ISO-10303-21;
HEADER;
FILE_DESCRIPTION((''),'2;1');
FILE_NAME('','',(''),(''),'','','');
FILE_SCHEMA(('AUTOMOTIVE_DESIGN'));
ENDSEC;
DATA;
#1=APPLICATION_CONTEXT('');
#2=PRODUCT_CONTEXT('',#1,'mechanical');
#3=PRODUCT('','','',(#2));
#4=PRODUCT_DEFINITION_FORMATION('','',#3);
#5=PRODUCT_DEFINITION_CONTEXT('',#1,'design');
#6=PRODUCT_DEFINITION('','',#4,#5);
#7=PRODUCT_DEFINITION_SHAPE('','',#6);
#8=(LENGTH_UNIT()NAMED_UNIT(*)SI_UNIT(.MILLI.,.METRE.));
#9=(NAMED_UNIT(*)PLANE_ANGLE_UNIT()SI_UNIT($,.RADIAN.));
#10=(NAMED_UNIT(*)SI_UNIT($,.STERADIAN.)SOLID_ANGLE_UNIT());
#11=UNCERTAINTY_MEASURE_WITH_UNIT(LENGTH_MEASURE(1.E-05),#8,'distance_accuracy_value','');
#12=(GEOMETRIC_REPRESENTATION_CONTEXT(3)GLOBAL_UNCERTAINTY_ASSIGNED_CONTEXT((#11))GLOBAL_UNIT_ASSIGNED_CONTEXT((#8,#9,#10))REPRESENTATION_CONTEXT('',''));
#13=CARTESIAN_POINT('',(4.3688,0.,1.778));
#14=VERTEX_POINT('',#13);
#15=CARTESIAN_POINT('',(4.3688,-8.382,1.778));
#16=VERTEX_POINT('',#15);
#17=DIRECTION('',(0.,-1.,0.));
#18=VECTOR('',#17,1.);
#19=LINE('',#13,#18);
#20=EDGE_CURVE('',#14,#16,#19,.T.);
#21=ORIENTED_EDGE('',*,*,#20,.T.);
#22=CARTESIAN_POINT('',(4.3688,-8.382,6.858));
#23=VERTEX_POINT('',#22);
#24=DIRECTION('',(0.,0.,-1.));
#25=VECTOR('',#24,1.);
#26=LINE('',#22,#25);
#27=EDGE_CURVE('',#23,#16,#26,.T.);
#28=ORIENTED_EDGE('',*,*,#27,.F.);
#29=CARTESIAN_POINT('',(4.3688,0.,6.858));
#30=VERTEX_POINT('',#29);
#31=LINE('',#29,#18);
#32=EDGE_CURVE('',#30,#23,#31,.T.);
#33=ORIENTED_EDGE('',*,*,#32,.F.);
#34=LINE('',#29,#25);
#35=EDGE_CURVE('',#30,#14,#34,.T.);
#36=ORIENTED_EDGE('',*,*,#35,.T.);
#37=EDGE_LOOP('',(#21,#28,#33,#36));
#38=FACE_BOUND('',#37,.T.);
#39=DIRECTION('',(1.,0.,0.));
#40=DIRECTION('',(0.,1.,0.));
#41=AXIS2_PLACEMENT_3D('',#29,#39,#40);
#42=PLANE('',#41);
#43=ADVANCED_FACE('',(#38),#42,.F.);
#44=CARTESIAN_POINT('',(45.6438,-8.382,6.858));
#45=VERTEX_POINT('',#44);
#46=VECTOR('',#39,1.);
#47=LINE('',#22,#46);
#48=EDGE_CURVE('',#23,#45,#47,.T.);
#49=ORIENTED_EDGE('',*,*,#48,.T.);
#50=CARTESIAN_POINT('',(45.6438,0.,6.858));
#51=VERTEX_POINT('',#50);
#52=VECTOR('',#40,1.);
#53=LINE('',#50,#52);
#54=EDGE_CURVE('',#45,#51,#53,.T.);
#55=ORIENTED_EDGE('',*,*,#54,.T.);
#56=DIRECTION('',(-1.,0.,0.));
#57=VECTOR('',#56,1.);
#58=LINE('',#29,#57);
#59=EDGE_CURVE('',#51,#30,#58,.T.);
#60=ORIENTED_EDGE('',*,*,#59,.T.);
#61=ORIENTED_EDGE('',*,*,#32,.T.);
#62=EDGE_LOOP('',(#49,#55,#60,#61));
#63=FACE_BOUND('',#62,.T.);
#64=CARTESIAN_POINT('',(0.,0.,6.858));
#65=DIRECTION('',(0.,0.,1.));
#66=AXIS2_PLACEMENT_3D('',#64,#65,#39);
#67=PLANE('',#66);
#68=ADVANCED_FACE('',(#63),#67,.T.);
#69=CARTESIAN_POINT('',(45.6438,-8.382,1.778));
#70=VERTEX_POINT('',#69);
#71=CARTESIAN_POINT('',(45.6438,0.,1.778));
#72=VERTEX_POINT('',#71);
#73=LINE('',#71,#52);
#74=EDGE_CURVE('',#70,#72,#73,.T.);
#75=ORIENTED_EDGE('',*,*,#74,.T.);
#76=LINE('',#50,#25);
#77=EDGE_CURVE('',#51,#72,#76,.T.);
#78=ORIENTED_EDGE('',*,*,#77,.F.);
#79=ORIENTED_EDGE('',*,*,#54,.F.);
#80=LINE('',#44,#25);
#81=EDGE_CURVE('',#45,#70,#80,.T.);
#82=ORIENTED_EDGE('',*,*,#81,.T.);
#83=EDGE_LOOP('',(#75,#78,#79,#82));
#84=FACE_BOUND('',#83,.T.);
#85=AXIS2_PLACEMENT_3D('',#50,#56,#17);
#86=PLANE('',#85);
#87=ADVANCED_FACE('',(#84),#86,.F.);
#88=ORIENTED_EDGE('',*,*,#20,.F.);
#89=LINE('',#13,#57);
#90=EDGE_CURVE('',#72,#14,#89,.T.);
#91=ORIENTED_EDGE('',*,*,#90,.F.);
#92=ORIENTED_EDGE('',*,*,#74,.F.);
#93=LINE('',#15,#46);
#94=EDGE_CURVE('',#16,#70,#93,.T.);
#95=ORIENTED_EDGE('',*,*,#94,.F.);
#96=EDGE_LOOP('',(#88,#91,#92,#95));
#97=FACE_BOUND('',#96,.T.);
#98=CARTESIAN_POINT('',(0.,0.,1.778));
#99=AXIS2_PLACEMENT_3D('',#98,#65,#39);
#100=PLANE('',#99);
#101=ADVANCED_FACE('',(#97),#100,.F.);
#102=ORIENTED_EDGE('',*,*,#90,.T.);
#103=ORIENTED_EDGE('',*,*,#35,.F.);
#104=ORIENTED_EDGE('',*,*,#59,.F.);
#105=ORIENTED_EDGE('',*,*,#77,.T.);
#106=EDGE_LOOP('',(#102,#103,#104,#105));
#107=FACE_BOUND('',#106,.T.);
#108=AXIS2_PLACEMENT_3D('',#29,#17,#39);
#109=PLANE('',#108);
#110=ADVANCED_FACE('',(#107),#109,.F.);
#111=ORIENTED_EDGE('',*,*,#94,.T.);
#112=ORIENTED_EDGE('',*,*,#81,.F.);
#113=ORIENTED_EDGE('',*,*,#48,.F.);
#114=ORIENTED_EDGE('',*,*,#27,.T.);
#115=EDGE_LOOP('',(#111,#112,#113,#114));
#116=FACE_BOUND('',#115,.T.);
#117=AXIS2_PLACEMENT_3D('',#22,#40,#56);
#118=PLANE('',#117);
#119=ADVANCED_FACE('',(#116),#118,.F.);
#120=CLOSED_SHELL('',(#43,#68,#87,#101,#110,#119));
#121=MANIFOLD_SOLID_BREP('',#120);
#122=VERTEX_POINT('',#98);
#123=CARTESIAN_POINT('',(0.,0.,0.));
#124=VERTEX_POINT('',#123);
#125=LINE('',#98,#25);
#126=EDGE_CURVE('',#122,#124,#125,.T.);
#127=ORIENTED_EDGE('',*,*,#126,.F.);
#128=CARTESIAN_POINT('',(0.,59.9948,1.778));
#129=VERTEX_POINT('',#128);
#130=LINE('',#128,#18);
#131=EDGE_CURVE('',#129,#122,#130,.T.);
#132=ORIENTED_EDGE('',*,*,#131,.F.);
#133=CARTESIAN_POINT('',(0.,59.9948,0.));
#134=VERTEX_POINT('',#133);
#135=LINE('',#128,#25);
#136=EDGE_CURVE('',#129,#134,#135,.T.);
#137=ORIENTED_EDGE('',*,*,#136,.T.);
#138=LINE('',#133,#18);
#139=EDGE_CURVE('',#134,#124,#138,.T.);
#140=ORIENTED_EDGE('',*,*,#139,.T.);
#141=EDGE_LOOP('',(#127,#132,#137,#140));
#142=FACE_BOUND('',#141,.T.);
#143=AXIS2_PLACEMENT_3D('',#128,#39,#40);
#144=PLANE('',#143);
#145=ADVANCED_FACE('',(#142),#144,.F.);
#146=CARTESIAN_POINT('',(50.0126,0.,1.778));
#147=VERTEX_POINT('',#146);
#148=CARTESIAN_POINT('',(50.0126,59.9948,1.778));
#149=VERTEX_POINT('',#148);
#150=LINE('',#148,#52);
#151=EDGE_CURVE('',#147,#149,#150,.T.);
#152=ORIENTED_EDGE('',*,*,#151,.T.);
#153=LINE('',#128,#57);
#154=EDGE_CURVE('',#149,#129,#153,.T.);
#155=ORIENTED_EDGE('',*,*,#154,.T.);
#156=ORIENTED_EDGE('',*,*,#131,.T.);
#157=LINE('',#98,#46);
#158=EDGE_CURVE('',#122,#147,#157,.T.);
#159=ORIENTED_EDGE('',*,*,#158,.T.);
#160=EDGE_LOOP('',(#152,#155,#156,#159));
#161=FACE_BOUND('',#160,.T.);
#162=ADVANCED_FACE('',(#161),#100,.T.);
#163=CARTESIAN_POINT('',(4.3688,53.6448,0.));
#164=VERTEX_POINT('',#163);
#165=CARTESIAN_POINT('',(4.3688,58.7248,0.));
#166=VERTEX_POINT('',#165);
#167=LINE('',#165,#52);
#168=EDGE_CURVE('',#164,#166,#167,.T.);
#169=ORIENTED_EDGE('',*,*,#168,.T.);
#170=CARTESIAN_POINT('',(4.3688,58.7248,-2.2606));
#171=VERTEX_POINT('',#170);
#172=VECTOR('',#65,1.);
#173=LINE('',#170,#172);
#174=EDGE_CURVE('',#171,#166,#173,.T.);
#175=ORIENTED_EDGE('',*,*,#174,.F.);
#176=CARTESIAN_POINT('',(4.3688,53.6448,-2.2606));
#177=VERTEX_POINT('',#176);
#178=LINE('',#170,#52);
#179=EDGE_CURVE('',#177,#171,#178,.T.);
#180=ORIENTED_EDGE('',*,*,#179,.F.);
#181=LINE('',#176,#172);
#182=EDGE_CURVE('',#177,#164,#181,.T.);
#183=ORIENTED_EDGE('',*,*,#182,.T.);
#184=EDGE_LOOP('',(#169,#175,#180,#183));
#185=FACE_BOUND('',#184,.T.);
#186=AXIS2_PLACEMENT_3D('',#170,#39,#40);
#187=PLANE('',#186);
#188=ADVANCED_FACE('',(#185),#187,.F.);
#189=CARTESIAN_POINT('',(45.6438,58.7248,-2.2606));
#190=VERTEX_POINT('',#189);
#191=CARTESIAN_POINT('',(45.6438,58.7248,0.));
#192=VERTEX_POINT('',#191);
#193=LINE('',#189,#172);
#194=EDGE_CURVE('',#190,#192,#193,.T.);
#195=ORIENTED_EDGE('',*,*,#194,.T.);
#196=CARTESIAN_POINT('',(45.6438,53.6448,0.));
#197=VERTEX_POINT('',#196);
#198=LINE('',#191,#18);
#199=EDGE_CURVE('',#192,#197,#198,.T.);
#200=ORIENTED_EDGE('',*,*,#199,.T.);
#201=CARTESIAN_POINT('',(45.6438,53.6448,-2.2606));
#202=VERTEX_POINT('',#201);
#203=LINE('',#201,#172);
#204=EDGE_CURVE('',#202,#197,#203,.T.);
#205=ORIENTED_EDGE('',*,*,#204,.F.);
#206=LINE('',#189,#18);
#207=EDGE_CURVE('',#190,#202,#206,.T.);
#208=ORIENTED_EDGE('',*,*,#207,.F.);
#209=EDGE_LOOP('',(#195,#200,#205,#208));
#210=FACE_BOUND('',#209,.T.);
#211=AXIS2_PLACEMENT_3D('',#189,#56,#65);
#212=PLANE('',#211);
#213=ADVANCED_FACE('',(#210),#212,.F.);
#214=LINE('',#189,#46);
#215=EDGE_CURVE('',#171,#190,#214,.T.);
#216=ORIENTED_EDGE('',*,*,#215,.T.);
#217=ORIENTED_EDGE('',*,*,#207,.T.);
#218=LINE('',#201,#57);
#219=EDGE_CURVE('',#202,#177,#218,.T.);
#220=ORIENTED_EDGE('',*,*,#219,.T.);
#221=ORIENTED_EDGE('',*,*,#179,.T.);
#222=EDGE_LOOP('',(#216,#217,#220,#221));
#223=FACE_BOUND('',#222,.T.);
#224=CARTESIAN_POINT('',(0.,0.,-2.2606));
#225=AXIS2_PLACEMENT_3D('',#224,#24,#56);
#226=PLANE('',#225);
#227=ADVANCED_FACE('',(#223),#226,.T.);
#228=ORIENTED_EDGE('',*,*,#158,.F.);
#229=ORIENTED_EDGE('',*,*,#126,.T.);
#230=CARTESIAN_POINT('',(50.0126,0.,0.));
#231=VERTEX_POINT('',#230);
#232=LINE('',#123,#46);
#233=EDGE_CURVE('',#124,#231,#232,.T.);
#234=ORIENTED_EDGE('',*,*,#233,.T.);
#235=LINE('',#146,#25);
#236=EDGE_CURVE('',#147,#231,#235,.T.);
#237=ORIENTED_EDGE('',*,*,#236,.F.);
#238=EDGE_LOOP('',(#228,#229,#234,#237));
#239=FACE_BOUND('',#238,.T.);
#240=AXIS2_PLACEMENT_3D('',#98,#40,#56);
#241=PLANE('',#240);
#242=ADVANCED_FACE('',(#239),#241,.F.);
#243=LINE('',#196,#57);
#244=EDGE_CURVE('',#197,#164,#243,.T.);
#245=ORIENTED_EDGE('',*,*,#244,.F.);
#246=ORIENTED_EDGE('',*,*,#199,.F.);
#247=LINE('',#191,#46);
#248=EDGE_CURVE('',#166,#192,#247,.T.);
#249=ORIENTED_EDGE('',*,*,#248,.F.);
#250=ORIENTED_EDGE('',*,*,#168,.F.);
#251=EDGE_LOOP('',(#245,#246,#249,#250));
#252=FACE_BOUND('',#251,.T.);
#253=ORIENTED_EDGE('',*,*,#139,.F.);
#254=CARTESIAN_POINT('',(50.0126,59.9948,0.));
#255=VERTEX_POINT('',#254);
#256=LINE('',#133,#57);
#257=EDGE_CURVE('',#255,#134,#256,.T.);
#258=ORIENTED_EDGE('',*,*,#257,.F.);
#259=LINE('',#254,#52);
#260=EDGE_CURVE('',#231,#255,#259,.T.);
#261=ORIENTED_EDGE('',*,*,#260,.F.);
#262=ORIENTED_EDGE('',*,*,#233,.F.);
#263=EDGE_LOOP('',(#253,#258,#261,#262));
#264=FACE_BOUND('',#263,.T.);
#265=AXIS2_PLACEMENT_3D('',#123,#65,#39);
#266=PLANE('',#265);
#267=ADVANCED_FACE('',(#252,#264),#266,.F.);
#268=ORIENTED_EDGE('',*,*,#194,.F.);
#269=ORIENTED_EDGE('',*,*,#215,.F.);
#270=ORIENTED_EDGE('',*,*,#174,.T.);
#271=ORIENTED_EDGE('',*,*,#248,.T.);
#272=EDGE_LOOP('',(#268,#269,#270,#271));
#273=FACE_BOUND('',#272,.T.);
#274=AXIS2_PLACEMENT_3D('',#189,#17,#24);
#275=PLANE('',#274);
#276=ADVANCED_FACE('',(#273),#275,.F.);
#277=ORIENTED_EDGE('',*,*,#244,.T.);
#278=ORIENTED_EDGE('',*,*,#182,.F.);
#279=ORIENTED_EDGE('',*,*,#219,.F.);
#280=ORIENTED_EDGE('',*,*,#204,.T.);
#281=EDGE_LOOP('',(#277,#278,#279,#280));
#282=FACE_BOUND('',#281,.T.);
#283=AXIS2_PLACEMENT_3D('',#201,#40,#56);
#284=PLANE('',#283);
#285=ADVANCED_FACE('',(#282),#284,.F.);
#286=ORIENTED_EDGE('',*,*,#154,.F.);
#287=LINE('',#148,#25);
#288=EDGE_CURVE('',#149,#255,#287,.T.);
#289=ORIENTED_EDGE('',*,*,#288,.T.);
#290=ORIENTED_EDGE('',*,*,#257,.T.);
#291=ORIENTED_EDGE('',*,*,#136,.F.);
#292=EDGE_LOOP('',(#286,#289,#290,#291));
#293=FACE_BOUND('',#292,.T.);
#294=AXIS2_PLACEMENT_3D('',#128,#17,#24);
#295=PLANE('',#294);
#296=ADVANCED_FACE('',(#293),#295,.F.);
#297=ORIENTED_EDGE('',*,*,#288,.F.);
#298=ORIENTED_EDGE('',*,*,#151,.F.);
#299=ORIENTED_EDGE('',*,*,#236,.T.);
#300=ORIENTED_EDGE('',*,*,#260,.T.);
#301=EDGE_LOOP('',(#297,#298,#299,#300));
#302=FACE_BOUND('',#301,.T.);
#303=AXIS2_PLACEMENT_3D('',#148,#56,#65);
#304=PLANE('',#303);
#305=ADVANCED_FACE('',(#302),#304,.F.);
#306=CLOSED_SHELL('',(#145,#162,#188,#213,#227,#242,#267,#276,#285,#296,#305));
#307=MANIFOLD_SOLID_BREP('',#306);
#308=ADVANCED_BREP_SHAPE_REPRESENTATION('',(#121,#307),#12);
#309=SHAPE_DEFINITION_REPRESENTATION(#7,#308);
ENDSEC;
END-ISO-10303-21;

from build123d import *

# Parameters (mm, degrees)
SKETCH1_W           = 50.0126
SKETCH1_H           = 59.9948
BOSS_EXTRUDE1_DEPTH = 1.778
SKETCH2_W           = 41.275
SKETCH2_H           = 8.382
BOSS_EXTRUDE2_DEPTH = 5.08
SKETCH3_W           = 41.275
SKETCH3_H           = 5.08
BOSS_EXTRUDE3_DEPTH = 2.2606


with BuildPart() as part:
    # Sketch1 → Boss-Extrude1 (new body)
    with BuildSketch(Plane.XY):
        with Locations((25.0063, 29.9974)):
            Rectangle(SKETCH1_W, SKETCH1_H)
    extrude(amount=BOSS_EXTRUDE1_DEPTH)

    # Sketch3 → Boss-Extrude3 (add)
    with BuildSketch(Plane(origin=(0, 0, 0), x_dir=(-1, 0, 0), z_dir=(0, 0, -1))):
        with Locations((-25.0063, 56.1848)):
            Rectangle(SKETCH3_W, SKETCH3_H)
    extrude(amount=BOSS_EXTRUDE3_DEPTH)


with BuildPart() as body_2:
    # Sketch2 → Boss-Extrude2 (new body)
    with BuildSketch(Plane.XY.offset(1.778)):
        with Locations((25.0063, -4.191)):
            Rectangle(SKETCH2_W, SKETCH2_H)
    extrude(amount=BOSS_EXTRUDE2_DEPTH)


solid = Compound([part.part, body_2.part])
